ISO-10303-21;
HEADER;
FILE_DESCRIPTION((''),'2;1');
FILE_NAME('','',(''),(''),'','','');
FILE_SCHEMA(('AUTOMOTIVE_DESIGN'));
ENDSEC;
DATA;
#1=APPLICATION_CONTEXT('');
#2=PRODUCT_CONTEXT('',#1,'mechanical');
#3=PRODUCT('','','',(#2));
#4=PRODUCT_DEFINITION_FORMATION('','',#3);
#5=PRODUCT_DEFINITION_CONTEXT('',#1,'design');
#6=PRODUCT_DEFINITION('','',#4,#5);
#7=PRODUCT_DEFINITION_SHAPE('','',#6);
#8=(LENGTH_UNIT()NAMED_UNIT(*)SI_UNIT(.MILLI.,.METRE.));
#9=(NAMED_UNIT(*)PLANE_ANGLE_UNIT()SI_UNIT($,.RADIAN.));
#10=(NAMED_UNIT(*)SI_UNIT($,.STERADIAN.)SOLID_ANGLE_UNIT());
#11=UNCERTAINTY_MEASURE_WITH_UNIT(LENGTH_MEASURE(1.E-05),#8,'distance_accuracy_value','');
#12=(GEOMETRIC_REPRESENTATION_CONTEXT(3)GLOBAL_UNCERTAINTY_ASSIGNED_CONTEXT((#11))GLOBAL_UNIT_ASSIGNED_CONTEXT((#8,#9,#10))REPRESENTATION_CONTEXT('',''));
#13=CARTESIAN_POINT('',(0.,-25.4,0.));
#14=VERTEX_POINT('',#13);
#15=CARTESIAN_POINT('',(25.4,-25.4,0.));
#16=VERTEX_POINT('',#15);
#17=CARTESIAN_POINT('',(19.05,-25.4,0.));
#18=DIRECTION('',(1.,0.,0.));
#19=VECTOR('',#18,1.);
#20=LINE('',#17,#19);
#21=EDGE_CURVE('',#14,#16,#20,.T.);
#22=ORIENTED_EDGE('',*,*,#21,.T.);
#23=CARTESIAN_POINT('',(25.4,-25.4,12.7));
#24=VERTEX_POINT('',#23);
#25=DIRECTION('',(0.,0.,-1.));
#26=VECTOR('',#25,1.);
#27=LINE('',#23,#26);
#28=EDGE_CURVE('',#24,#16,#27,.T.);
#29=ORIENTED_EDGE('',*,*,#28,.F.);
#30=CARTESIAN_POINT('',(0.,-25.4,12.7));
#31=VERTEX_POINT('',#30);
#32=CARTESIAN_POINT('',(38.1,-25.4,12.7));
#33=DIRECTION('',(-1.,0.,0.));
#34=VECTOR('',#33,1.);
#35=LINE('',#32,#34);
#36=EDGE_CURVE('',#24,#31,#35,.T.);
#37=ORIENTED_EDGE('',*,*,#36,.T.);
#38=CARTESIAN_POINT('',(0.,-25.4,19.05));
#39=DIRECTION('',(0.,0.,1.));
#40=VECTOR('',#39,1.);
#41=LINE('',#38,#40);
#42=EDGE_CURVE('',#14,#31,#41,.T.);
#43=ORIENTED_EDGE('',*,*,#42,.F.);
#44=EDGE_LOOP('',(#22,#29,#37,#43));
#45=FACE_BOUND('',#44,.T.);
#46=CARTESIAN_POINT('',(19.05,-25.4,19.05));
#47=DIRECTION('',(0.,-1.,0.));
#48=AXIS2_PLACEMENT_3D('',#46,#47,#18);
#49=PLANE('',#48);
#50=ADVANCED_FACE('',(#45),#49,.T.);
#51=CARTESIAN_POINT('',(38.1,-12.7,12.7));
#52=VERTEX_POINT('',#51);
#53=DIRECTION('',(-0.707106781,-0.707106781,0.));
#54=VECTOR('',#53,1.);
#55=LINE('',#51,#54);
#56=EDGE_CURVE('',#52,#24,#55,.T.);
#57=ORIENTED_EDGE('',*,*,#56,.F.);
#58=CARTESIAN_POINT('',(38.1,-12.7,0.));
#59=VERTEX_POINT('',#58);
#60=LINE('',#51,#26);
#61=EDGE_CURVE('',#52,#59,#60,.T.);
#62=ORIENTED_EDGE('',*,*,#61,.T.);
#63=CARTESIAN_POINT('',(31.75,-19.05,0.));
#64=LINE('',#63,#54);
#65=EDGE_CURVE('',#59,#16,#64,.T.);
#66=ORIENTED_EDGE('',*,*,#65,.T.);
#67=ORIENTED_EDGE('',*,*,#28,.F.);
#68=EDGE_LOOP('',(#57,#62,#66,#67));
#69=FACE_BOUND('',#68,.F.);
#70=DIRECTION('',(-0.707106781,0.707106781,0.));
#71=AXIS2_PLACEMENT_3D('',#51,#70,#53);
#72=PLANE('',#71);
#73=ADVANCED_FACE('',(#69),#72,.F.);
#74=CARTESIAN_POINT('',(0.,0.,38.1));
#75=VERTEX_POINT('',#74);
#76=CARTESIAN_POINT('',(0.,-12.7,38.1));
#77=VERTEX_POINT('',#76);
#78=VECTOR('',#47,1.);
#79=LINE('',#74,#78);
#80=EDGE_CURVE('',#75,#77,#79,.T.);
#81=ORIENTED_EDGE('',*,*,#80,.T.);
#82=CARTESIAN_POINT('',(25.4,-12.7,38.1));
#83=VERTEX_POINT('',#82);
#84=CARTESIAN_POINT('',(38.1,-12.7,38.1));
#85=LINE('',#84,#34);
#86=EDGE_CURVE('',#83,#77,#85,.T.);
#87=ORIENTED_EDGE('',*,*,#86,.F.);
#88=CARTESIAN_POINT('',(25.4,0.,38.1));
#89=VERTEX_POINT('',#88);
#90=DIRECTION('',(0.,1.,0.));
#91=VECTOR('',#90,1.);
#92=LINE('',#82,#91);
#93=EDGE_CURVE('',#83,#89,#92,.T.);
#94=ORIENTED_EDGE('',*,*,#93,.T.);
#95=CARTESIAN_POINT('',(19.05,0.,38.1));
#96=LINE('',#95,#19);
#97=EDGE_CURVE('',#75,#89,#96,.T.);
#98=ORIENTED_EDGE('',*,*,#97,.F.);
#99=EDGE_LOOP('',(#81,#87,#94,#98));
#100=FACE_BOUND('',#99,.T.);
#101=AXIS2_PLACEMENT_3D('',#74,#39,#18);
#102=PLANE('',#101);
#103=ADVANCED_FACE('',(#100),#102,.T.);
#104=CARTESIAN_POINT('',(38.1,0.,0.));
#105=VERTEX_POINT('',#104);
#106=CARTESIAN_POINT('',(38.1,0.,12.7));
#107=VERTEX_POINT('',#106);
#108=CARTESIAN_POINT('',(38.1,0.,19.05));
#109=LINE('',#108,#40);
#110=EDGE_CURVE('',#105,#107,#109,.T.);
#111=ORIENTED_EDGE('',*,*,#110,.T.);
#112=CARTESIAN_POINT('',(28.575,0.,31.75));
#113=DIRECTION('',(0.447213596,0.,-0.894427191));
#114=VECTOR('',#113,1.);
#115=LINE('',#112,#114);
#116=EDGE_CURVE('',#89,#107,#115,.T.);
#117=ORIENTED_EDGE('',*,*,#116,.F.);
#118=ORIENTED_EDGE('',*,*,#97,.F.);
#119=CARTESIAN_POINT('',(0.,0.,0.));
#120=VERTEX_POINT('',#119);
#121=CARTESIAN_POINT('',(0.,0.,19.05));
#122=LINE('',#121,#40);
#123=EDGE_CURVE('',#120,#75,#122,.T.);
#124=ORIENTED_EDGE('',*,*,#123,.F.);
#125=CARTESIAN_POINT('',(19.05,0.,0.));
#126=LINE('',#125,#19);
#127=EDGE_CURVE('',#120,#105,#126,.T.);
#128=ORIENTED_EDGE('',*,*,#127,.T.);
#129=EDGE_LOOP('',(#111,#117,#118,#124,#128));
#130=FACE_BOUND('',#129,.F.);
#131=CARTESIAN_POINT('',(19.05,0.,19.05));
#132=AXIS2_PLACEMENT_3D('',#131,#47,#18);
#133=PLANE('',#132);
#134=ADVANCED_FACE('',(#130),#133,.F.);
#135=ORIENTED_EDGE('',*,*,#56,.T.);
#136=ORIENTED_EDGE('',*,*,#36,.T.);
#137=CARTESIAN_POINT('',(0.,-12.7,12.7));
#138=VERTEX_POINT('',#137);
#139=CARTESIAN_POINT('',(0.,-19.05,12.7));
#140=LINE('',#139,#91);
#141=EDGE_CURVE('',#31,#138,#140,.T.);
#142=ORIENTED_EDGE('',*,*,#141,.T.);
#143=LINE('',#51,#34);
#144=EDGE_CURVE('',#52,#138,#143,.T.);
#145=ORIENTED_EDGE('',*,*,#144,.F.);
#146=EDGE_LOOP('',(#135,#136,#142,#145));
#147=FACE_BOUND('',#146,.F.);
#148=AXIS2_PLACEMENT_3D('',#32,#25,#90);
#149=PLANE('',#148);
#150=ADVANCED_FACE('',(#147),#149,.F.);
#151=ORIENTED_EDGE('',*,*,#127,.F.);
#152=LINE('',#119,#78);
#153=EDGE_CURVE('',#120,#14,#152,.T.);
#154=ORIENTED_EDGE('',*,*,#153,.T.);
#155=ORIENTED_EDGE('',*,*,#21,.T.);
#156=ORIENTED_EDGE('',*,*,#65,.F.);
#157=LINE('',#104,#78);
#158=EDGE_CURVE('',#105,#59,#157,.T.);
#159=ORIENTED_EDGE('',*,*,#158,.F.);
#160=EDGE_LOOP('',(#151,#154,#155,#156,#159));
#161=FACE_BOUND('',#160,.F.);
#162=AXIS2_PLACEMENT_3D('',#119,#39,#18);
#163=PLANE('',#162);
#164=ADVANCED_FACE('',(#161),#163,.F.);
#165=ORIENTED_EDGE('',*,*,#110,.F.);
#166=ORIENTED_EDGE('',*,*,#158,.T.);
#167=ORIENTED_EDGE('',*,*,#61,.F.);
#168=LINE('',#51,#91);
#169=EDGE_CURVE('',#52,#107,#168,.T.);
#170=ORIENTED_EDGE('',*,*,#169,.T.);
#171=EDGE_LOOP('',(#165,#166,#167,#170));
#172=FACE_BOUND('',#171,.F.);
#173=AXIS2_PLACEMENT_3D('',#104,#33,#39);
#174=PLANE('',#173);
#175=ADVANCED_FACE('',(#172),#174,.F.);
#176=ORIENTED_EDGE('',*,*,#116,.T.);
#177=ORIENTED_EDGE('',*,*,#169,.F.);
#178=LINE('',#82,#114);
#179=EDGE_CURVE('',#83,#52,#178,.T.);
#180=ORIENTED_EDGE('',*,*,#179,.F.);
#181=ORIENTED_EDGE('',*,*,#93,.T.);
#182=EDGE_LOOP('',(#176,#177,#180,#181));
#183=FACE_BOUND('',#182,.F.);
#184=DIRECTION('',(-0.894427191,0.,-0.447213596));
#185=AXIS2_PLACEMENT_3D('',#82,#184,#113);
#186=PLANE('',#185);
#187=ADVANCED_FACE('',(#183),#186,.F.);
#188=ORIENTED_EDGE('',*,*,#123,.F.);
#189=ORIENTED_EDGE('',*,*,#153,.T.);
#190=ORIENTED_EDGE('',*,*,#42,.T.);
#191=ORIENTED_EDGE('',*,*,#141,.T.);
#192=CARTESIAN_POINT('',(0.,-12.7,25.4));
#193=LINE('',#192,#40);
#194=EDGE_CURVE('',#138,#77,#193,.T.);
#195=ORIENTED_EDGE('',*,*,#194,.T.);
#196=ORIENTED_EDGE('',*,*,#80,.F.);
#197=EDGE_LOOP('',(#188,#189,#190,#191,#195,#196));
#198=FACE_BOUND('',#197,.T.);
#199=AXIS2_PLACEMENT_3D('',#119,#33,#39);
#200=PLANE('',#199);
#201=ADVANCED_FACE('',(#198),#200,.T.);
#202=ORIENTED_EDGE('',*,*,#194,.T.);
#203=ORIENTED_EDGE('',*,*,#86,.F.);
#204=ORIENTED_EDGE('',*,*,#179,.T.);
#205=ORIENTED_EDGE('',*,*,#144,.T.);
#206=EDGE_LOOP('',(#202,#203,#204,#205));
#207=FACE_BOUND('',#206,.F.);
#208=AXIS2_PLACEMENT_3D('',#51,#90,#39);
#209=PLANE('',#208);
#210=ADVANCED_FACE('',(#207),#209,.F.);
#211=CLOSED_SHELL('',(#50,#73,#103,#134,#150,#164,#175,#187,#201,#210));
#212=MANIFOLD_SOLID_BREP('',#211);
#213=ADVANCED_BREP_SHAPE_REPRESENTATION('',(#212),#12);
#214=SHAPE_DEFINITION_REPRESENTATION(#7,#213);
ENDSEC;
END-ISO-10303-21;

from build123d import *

# Parameters (mm, degrees)
F0_W     = 38.1
F0_H     = 38.1
F1_DEPTH = 25.4
F2_W     = 12.7
F2_H     = 25.4
F3_DEPTH = 38.1
F5_DEPTH = 25.4
F7_DEPTH = 25.4


with BuildPart() as f1:
    # F0 (on Front) → F1 (new body)
    with BuildSketch(Plane.XZ):
        with Locations((19.05, 19.05)):
            Rectangle(F0_W, F0_H)
    extrude(amount=F1_DEPTH)

    # F2 (on face) → F3 (cut)
    with BuildSketch(Plane.YZ.offset(38.1)):
        with Locations((-19.05, 25.4)):
            Rectangle(F2_W, F2_H)
    extrude(amount=-F3_DEPTH, mode=Mode.SUBTRACT)

    # F4 (on face) → F5 (cut)
    with BuildSketch(Plane.XY.offset(12.7)):
        Polygon((25.4, -25.4), (38.1, -25.4), (38.1, -12.7), align=None)
    extrude(amount=-F5_DEPTH, mode=Mode.SUBTRACT)

    # F6 (on face) → F7 (cut)
    with BuildSketch(Plane.XZ.offset(12.7)):
        Polygon((38.1, 12.7), (38.1, 38.1), (25.4, 38.1), align=None)
    extrude(amount=-F7_DEPTH, mode=Mode.SUBTRACT)


solid = f1.part
